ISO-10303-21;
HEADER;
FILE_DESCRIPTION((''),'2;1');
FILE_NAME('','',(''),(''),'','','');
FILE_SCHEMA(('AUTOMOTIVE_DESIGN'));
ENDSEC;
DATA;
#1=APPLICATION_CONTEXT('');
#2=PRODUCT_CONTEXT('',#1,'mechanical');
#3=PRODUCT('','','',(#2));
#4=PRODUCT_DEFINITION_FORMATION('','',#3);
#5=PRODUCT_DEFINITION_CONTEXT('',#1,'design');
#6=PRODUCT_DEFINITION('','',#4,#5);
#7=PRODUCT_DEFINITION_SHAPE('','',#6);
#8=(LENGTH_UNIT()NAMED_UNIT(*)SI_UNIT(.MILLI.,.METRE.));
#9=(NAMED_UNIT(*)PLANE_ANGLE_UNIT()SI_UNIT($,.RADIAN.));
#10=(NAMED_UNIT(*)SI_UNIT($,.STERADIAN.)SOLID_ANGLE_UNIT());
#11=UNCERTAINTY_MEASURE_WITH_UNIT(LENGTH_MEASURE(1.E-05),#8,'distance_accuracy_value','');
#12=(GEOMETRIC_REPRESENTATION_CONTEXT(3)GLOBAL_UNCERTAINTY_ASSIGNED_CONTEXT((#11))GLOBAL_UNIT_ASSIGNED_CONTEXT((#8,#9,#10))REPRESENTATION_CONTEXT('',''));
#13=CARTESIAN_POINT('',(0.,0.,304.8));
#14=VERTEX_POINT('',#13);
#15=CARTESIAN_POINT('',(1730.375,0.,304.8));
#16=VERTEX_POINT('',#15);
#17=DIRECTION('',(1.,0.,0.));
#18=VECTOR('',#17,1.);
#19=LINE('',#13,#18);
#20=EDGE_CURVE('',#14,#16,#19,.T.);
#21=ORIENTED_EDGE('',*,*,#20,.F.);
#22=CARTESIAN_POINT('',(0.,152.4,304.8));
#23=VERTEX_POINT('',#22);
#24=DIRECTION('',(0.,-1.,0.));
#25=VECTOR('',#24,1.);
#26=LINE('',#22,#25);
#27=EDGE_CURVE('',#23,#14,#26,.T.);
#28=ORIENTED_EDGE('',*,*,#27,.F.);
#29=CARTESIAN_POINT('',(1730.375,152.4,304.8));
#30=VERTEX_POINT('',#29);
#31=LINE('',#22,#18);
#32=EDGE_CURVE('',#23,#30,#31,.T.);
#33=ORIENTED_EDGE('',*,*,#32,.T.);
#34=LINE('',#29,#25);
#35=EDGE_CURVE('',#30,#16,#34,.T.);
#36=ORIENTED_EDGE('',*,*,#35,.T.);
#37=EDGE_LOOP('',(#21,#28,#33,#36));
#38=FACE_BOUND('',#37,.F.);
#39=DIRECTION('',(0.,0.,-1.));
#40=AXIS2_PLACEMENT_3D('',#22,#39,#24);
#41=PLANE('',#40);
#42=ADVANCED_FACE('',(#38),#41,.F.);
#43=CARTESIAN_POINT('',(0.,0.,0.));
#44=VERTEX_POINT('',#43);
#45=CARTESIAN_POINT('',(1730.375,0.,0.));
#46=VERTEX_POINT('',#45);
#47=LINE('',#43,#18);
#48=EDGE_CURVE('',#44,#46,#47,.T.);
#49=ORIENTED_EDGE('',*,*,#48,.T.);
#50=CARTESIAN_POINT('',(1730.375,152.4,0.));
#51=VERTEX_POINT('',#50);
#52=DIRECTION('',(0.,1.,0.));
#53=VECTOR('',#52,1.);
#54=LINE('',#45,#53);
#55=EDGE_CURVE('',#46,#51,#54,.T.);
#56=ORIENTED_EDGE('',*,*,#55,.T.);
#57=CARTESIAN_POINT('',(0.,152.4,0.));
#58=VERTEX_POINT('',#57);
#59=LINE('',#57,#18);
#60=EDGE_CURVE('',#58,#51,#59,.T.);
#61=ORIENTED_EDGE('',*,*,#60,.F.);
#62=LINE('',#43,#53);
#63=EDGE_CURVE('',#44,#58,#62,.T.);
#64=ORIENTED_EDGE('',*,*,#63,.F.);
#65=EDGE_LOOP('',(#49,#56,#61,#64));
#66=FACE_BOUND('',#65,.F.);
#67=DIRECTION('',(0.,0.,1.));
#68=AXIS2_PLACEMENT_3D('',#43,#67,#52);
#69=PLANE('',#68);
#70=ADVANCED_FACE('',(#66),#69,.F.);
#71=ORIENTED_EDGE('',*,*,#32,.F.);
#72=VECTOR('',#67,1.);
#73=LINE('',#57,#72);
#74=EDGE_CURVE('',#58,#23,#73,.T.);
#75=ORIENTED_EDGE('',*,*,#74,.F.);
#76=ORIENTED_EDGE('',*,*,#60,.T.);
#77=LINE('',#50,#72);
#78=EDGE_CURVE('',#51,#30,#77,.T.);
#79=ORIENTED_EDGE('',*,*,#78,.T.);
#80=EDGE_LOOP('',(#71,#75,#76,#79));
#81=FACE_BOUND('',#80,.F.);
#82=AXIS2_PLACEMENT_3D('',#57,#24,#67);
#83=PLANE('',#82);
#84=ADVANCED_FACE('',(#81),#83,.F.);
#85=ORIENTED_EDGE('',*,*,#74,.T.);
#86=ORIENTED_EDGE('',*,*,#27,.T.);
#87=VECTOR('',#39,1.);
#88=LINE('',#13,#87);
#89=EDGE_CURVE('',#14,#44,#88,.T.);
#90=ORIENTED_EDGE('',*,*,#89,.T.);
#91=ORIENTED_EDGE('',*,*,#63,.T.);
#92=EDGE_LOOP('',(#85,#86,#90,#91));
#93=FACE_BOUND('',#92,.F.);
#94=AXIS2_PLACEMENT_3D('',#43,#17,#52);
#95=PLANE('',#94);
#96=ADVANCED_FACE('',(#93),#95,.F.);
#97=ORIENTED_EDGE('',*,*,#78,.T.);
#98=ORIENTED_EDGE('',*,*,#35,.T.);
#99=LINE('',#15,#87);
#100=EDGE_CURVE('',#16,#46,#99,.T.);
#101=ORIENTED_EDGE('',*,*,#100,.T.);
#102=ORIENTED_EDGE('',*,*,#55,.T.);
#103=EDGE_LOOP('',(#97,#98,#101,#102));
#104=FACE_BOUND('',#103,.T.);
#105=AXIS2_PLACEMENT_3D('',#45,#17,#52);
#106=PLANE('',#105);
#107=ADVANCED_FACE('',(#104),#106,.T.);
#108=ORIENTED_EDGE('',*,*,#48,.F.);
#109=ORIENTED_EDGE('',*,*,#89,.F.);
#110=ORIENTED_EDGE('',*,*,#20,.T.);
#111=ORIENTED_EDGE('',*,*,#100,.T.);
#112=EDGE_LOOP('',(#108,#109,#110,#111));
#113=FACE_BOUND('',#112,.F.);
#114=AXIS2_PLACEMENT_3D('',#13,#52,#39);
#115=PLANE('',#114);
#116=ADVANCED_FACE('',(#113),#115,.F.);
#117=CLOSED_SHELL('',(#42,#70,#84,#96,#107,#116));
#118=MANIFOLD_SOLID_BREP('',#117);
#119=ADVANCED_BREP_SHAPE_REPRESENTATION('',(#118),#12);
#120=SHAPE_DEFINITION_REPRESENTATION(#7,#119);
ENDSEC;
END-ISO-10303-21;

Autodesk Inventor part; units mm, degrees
ref_plane "YZ Plane" through (0, 0, 0) normal (1, 0, 0) x (0, 1, 0)
ref_plane "XZ Plane" through (0, 0, 0) normal (0, 1, 0) x (-1, 0, 0)
ref_plane "XY Plane" through (0, 0, 0) normal (0, 0, 1) x (1, 0, 0)
sketch "Sketch1" plane through (0, 0, 0) normal (1, 0, 0) x (0, 1, 0)
  line L0 (0, 0) -> (152.4, 0)
  line L1 (152.4, 0) -> (152.4, 304.8)
  line L2 (152.4, 304.8) -> (0, 304.8)
  line L3 (0, 304.8) -> (0, 0)
  dimension "d0" = 152.4
  dimension "d1" = 304.8
extrude "Extrusion1" add sketch "Sketch1" along normal blind 1730.375
properties part number "Step" material "Limestone"
